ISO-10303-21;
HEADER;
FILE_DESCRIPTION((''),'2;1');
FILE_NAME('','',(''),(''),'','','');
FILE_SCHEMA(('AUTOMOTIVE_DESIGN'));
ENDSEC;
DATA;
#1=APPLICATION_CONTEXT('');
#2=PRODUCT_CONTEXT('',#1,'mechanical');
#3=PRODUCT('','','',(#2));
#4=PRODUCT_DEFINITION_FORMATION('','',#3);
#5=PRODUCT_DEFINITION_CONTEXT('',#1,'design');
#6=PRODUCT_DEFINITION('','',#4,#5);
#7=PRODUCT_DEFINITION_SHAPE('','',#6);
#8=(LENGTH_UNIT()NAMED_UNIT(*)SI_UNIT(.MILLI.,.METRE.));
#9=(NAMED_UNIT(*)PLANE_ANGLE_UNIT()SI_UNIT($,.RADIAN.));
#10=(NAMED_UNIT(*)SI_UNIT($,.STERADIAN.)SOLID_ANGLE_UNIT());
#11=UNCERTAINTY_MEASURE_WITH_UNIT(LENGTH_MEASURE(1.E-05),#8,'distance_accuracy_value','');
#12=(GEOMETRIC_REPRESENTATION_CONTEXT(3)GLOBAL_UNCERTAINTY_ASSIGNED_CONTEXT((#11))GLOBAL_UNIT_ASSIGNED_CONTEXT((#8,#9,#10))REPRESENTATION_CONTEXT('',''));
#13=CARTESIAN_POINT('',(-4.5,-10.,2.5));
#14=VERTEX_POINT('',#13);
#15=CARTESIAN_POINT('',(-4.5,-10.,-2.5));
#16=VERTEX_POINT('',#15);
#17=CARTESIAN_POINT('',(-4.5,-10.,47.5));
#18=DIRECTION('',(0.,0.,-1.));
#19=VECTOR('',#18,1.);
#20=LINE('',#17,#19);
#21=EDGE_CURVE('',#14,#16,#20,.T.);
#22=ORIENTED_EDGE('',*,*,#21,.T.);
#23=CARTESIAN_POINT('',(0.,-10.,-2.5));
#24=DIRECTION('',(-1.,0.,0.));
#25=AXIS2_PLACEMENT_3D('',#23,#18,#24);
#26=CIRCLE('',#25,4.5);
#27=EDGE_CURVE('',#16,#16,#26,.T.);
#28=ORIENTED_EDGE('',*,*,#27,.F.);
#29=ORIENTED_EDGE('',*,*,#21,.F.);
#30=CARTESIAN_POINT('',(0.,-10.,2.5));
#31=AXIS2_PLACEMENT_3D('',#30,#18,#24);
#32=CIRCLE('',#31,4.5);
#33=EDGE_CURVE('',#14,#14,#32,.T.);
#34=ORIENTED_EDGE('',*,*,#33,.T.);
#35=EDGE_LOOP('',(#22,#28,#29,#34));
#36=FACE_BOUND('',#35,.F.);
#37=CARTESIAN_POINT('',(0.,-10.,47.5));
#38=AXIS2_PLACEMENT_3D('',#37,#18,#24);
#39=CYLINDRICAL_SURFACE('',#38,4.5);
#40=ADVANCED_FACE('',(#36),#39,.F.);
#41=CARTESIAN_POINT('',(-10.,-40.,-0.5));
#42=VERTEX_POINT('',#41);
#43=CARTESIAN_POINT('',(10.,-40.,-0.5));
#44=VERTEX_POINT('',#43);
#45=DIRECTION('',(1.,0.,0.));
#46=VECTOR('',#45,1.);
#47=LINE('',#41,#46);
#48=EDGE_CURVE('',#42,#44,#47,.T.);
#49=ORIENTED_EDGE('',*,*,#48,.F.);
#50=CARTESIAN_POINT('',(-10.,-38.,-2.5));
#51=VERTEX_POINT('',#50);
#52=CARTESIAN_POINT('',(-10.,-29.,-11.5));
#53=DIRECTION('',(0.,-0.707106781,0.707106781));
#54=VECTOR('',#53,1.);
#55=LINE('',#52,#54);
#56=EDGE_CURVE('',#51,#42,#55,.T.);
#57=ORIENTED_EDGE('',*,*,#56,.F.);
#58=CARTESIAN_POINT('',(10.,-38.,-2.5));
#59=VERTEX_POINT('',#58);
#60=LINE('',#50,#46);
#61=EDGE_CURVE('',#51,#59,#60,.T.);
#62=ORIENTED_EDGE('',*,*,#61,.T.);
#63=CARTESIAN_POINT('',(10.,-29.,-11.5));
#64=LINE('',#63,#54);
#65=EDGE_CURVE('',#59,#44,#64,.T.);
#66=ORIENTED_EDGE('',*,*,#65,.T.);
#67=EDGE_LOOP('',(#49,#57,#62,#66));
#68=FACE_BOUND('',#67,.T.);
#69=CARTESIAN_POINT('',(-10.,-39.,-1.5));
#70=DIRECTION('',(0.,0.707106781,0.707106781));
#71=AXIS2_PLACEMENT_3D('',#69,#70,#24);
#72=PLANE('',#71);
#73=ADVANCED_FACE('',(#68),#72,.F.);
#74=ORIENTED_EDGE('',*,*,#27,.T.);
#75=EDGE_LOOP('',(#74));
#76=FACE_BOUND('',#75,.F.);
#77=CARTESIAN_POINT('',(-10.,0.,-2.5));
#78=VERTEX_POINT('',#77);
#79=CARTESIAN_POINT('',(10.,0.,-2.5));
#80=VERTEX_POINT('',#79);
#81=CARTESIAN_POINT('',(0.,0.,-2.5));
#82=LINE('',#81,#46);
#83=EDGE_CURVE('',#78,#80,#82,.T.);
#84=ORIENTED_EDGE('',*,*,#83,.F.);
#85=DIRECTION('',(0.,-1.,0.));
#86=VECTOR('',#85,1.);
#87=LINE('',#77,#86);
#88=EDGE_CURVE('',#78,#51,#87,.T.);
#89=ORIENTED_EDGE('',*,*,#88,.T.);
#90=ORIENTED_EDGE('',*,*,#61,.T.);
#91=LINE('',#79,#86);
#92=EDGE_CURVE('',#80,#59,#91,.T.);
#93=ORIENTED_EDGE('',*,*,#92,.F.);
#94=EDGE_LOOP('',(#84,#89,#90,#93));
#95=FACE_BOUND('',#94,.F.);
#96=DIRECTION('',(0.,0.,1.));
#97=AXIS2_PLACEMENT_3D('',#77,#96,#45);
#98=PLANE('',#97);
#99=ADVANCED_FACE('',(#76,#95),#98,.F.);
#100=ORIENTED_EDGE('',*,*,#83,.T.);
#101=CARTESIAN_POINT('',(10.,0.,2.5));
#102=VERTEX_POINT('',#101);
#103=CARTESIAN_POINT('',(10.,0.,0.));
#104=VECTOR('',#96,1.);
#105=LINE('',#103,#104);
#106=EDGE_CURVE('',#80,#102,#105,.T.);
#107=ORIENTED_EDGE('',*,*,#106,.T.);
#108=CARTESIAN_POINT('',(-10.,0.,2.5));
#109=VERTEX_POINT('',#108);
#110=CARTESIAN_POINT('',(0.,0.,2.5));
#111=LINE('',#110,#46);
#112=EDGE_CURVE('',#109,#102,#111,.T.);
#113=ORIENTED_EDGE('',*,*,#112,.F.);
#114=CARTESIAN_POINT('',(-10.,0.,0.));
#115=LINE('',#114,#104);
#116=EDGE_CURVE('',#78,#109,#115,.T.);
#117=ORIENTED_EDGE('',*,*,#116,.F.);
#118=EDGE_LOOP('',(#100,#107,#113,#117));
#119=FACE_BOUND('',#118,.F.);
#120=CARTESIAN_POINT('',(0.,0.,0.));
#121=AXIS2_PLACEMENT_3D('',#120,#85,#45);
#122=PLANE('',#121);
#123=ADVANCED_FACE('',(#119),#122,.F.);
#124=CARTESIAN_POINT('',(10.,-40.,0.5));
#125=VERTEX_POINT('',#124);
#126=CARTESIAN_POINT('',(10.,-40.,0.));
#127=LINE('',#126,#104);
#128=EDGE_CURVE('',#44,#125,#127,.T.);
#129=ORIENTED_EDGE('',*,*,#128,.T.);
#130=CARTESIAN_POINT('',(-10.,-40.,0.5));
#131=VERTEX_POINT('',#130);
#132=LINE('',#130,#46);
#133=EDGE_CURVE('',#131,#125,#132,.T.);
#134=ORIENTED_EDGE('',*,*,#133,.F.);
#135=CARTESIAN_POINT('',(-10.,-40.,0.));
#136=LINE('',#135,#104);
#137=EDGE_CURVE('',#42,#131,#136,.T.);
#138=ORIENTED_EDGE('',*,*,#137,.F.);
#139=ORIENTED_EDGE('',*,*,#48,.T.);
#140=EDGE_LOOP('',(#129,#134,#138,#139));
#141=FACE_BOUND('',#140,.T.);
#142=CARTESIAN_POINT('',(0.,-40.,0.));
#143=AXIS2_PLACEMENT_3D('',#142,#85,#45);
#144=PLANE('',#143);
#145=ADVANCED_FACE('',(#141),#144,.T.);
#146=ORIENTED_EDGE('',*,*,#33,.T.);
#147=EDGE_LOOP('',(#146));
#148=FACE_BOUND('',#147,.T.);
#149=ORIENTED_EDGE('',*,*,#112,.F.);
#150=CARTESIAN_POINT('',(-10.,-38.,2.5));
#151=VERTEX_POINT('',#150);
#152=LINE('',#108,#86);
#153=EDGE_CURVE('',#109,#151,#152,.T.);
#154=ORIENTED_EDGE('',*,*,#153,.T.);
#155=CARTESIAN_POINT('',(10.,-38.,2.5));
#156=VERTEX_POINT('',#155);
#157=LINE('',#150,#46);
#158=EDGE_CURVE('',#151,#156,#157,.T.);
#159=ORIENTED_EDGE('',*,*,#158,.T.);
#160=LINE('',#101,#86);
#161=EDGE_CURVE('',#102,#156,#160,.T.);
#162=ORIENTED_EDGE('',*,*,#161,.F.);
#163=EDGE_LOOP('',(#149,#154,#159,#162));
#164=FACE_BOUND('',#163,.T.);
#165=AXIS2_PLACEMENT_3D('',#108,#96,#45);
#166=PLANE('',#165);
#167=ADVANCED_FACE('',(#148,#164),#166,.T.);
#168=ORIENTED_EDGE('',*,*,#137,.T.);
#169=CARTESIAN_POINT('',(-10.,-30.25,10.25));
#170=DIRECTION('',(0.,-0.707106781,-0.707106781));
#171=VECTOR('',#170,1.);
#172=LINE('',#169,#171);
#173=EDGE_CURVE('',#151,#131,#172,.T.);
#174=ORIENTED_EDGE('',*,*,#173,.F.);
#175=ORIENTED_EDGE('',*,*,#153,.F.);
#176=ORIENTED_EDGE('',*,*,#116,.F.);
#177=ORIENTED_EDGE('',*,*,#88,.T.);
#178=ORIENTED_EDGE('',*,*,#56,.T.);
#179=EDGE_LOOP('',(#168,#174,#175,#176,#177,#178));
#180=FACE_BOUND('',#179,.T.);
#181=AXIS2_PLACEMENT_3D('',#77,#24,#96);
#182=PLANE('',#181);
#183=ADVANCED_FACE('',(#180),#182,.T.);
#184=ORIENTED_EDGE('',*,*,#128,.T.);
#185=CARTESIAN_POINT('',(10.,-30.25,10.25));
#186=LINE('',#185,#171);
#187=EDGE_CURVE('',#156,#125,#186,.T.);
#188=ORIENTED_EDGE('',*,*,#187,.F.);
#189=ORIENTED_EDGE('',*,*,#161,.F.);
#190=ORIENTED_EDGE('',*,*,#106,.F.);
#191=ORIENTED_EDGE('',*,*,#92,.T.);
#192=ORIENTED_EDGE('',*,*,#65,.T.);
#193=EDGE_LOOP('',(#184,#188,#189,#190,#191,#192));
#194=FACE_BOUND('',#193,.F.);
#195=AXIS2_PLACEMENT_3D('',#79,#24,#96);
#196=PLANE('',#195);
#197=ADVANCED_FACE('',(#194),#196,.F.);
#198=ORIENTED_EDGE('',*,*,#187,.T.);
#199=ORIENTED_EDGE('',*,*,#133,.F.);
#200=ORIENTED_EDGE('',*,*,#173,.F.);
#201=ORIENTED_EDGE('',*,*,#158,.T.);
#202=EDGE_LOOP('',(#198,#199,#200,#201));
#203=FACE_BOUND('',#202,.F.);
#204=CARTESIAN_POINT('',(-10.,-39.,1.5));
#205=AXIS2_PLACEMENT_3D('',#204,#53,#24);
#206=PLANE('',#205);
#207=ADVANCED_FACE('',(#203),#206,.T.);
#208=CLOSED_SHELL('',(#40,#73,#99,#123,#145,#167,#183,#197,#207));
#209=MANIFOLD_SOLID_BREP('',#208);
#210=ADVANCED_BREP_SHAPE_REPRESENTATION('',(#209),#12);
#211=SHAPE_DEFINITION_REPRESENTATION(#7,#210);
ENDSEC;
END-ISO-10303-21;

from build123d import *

# Parameters (mm, degrees)
F0_W     = 20
F0_H     = 5
F1_DEPTH = 40
F3_D     = 9
F4_SIZE  = 2


with BuildPart() as f1:
    # F0 (on Front) → F1 (new body)
    with BuildSketch(Plane.XZ):
        Rectangle(F0_W, F0_H)
    extrude(amount=F1_DEPTH)

    # F3 (through all)
    with Locations(Plane.XY.offset(2.5)):
        with Locations((0, -10)):
            Hole(F3_D / 2)

    # F4
    f4_edges = [f1.edges().sort_by_distance(p)[0] for p in [
        (0, -40, 2.5),
        (0, -40, -2.5),
    ]]
    chamfer(f4_edges, length=F4_SIZE)


solid = f1.part
